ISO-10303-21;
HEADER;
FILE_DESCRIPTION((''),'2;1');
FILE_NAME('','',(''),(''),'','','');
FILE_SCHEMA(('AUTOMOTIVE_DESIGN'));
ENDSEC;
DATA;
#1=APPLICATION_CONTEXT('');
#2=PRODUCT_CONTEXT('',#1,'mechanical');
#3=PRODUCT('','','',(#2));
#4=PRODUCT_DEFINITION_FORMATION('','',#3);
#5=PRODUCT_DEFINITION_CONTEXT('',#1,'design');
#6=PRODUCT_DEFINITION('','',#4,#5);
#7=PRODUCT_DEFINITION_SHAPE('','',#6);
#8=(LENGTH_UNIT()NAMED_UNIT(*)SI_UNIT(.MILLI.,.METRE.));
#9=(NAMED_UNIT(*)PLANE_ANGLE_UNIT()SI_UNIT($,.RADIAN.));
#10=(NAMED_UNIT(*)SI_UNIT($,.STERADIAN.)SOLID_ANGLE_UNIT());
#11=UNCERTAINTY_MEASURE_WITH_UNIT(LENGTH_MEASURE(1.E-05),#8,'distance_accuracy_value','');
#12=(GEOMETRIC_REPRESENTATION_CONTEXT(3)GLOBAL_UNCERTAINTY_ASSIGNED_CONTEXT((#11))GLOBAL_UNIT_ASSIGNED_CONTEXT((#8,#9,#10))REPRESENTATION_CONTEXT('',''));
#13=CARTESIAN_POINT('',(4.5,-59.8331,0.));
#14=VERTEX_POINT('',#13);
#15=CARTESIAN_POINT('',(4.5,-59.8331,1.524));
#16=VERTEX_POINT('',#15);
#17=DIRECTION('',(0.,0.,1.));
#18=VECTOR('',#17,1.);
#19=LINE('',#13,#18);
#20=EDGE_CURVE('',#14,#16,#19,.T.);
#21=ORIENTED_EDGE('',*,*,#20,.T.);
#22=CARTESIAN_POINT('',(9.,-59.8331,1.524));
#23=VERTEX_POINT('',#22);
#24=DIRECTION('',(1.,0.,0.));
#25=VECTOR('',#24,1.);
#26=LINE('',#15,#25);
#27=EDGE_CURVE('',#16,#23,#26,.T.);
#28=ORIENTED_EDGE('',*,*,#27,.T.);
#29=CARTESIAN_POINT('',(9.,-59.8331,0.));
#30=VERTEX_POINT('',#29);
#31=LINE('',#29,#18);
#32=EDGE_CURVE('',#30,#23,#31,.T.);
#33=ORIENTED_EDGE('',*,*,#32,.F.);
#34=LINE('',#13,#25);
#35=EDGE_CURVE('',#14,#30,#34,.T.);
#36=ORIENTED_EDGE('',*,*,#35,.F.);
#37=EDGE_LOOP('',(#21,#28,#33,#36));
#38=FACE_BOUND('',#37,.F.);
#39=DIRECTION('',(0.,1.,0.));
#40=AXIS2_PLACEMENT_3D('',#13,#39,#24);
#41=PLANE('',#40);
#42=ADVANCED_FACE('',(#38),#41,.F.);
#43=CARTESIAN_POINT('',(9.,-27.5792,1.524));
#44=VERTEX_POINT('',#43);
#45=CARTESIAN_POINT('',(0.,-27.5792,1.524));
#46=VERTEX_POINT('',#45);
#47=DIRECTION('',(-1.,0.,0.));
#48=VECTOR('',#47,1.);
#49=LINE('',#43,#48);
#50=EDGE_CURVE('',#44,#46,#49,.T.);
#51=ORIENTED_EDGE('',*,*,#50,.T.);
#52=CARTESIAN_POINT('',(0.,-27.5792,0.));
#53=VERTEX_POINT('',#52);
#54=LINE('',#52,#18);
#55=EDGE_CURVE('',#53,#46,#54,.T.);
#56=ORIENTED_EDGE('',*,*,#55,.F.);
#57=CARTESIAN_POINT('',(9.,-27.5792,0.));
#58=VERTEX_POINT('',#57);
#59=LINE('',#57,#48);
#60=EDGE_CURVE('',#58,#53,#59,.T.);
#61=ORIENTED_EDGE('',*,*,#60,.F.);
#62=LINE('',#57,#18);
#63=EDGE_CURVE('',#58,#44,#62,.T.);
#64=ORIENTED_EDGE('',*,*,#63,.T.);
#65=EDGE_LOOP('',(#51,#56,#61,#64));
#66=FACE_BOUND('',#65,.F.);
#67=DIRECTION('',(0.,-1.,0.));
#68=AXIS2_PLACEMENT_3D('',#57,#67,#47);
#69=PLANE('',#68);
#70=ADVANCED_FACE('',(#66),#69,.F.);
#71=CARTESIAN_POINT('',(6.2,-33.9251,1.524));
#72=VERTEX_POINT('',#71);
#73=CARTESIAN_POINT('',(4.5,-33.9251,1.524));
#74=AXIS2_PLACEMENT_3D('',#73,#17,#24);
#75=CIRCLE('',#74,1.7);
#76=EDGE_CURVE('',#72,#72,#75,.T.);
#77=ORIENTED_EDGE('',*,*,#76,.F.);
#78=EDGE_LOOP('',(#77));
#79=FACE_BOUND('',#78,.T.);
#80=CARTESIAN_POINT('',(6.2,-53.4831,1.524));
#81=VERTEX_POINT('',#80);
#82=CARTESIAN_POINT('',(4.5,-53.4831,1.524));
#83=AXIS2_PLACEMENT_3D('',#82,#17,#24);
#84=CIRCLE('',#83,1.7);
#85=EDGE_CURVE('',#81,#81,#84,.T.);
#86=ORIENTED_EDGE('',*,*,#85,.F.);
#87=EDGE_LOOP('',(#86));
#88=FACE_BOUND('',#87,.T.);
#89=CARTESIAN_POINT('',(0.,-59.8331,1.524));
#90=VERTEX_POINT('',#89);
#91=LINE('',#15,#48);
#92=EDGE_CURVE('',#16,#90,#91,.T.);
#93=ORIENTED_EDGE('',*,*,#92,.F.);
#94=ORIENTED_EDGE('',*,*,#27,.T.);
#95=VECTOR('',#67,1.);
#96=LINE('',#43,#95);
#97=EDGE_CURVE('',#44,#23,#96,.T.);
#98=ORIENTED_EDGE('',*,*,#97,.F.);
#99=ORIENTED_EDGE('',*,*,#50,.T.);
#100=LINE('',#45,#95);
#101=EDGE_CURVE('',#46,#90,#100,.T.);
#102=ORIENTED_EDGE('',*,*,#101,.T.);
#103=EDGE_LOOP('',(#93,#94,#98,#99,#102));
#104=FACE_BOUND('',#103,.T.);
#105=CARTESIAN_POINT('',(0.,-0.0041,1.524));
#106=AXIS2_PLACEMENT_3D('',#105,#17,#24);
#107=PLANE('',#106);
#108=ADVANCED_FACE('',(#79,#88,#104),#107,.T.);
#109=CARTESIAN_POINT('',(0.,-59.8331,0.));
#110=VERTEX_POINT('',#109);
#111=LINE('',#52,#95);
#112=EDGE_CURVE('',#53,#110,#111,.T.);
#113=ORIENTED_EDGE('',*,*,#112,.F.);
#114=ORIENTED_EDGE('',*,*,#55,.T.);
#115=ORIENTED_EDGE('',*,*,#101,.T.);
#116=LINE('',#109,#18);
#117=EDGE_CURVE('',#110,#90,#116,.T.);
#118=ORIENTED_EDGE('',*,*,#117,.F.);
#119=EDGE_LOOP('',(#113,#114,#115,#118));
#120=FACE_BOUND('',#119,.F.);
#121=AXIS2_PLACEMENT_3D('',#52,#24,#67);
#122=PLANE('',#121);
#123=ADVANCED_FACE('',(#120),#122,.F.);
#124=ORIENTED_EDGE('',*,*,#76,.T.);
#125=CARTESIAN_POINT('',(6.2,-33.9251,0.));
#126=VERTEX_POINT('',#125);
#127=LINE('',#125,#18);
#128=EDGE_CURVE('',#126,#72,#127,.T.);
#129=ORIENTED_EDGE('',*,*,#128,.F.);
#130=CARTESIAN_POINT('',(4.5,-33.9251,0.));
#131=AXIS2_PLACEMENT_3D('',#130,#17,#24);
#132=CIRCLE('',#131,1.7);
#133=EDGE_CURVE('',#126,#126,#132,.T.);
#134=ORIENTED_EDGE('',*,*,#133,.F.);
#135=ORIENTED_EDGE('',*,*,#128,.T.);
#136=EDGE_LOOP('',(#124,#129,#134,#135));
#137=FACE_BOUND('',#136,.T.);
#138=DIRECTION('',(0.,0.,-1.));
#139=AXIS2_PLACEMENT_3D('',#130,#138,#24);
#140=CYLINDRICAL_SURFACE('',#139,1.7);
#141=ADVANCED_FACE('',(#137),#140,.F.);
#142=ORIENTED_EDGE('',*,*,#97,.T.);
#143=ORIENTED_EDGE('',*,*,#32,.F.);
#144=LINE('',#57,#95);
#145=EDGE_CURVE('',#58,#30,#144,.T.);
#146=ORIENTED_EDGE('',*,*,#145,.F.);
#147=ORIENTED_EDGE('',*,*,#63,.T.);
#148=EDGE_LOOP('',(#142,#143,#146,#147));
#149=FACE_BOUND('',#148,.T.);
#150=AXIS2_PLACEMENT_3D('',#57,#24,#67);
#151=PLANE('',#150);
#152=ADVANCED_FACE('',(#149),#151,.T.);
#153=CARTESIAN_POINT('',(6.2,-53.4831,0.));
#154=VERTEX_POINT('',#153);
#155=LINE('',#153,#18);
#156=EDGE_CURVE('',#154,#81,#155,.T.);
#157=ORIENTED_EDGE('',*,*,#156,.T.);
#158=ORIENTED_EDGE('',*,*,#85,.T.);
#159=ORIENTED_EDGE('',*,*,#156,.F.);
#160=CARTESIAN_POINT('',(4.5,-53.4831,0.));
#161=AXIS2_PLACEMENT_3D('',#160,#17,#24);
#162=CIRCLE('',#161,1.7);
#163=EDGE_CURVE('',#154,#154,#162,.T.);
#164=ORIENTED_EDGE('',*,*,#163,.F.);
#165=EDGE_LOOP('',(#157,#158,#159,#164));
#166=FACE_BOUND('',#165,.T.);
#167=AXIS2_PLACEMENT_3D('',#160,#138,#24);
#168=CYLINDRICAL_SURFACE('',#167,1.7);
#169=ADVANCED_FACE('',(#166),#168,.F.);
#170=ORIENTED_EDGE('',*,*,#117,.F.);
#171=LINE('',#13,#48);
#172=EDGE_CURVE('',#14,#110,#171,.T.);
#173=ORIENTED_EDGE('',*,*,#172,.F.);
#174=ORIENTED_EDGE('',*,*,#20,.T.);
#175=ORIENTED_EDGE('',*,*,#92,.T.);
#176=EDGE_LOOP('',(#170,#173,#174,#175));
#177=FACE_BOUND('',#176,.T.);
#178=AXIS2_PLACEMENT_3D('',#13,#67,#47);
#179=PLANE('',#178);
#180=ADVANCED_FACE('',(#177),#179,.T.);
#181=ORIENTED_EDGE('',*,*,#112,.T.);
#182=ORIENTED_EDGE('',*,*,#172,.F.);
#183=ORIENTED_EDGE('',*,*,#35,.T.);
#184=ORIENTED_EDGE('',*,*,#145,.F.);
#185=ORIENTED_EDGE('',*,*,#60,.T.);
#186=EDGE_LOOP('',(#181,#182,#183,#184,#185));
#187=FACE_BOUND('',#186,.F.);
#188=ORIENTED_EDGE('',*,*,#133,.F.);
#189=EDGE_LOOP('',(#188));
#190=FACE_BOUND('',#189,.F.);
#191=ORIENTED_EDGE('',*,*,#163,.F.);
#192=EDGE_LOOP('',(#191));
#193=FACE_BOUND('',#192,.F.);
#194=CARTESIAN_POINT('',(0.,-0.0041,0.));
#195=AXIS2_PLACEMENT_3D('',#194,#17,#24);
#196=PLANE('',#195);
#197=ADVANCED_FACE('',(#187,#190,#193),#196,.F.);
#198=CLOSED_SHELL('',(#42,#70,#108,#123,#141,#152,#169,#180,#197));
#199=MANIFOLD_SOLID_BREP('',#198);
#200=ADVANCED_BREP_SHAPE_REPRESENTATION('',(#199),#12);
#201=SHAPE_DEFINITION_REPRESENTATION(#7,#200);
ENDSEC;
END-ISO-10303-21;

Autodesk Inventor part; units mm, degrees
ref_plane "YZ Plane" through (0, 0, 0) normal (1, 0, 0) x (0, 1, 0)
ref_plane "XZ Plane" through (0, 0, 0) normal (0, 1, 0) x (-1, 0, 0)
ref_plane "XY Plane" through (0, 0, 0) normal (0, 0, 1) x (1, 0, 0)
ref_plane "Work Plane1" through (0, -0.0041, 0) normal (0, 0, 1) x (1, 0, 0)
sketch "Sketch1" plane through (0, -0.0041, 0) normal (0, 0, 1) x (1, 0, 0)
  line L0 (0, -194.9959) -> (0, 0.0041) construction
  line L1 (9, 0.0041) -> (9, -194.9959) construction
  circle A0 centre (4.5, -53.479) radius 1.7 construction
  circle A1 centre (4.5, -33.921) radius 1.7 construction
  circle A2 centre (4.5, -53.479) radius 1.7
  circle A3 centre (4.5, -33.921) radius 1.7
  line L2 (4.5, -53.479) -> (4.5, -59.829) construction
  line L3 (4.5, -33.921) -> (4.5, -27.571) construction
  line L4 (9, -27.5751) -> (0, -27.5751)
  line L5 (4.5, -59.829) -> (9, -59.829)
  line L6 (9, -27.5751) -> (9, -59.829)
  line L7 (4.5, -59.829) -> (0, -59.829)
  line L8 (0, -27.5751) -> (0, -59.829)
  dimension "d0" = 6.35
  dimension "d1" = 6.35
extrude "Extrusion1" add sketch "Sketch1" along normal blind 1.524
properties part number "standoff for gripper servo"
